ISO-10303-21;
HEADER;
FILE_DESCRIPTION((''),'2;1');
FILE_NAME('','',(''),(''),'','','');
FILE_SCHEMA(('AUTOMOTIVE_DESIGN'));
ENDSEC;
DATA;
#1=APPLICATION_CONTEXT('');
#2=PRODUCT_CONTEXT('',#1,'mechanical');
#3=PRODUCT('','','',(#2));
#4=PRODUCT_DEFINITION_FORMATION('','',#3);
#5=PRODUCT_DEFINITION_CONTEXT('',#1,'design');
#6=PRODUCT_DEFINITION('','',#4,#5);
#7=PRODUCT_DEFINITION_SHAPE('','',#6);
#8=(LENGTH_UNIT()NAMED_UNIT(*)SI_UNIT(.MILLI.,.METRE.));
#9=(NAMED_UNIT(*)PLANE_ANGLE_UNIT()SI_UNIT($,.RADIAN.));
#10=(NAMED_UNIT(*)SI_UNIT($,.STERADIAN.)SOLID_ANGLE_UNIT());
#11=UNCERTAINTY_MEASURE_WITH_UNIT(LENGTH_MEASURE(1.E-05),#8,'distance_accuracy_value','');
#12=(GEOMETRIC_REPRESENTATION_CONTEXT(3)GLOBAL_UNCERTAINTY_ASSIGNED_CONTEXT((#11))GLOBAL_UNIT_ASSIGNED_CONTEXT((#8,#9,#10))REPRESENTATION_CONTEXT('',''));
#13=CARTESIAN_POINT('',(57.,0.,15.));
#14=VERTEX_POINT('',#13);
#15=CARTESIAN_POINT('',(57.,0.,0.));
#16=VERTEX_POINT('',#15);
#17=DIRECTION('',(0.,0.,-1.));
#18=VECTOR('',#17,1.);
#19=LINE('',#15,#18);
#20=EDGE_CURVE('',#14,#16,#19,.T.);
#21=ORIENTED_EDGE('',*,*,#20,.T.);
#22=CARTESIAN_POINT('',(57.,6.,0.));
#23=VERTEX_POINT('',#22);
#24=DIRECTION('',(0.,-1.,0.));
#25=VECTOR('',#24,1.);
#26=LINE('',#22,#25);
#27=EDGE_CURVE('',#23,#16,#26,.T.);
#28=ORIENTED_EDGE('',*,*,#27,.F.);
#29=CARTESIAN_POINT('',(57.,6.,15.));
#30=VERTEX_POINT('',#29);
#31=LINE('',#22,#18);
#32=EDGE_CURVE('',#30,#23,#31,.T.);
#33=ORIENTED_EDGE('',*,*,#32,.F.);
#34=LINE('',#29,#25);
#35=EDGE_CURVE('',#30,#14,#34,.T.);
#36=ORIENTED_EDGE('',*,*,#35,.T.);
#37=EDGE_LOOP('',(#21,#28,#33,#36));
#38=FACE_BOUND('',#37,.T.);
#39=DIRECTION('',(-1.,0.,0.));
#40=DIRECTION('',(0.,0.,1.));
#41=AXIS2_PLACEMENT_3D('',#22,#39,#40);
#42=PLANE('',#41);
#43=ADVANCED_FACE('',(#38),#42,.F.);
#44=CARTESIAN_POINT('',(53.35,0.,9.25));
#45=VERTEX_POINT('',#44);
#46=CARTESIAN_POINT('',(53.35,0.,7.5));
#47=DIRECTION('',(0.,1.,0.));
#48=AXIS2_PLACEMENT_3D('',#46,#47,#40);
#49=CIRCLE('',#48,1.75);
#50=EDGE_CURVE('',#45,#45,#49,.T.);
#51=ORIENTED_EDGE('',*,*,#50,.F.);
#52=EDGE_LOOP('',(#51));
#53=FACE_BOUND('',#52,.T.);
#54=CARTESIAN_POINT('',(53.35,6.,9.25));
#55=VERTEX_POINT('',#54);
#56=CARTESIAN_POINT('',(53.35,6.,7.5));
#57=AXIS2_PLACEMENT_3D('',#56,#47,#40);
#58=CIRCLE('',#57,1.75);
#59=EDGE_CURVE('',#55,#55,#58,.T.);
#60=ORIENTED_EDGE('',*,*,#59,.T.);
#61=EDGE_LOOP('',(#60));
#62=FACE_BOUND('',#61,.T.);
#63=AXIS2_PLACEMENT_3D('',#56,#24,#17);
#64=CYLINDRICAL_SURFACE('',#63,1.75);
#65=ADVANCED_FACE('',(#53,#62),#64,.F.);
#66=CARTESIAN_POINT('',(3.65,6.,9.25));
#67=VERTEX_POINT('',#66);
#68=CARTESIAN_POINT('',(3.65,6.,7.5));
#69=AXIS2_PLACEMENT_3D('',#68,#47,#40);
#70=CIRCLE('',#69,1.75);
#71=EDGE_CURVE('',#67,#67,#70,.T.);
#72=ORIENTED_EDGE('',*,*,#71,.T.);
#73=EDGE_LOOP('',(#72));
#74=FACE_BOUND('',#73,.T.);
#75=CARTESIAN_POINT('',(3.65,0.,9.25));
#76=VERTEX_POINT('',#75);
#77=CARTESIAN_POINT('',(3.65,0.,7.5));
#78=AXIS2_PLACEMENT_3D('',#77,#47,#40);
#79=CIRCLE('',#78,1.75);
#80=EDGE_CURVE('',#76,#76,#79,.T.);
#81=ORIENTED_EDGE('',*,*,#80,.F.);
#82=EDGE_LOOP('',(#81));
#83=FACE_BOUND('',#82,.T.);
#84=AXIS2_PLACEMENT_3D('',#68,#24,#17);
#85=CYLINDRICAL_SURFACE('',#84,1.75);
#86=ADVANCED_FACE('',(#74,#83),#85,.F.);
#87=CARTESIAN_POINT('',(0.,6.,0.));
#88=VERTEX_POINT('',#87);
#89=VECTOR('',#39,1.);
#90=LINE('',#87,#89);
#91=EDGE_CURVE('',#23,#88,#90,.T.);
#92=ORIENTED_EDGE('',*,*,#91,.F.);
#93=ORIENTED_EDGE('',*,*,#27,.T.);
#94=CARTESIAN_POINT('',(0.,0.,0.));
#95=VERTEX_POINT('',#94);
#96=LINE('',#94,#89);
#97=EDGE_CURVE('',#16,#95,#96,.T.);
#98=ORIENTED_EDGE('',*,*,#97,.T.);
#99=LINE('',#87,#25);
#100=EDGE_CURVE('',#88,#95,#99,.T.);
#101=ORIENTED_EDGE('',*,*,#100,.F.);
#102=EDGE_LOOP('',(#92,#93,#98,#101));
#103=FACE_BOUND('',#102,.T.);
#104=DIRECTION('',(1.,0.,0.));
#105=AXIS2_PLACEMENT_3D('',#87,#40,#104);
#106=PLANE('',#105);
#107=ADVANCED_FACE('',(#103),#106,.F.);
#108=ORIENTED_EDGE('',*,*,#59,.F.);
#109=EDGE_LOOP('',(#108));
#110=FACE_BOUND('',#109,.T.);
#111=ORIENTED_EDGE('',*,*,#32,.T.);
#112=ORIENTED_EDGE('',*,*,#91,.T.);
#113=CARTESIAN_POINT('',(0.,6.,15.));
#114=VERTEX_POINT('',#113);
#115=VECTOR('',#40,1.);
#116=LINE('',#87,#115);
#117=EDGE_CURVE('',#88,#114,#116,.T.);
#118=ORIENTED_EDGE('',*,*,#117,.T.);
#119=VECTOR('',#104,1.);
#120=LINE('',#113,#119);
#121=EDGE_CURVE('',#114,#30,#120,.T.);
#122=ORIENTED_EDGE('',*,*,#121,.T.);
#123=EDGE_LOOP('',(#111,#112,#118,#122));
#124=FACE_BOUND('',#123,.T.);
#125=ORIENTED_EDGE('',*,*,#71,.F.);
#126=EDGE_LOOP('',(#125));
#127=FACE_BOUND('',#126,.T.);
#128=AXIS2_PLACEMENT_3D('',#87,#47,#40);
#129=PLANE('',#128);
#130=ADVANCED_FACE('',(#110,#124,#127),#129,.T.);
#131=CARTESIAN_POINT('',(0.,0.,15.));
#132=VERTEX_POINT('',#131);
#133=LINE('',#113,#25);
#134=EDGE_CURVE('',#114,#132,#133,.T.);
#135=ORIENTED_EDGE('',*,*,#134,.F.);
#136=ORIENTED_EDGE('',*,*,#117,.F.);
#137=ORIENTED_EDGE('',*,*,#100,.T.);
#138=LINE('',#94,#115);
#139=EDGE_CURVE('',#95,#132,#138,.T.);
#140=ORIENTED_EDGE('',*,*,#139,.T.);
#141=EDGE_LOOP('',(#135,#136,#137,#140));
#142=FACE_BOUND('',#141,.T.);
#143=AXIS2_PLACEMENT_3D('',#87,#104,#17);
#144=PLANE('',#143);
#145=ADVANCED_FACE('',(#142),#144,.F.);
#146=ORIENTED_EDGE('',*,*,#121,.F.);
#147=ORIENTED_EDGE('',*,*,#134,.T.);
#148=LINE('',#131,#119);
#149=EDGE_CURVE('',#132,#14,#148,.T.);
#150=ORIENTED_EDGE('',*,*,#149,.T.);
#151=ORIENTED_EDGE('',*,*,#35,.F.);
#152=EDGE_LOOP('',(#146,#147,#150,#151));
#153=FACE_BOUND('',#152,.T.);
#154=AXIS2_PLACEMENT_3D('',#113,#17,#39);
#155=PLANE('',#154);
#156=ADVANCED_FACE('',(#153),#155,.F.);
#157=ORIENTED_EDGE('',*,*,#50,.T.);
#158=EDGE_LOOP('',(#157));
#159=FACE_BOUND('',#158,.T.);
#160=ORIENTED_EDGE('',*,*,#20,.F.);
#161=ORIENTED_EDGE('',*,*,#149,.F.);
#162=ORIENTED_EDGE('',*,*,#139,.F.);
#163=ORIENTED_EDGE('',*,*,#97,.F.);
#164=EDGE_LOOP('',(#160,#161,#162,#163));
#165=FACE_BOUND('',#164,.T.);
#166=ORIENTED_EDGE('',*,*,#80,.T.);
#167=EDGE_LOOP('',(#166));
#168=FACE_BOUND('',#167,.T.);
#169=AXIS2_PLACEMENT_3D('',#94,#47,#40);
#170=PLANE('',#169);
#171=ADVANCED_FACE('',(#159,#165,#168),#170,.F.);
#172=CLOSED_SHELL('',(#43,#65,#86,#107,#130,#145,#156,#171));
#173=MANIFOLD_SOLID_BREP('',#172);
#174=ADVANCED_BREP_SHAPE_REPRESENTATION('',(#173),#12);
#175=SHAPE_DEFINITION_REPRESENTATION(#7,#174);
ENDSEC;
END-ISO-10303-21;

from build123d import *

# Parameters (mm, degrees)
SKETCH1_W           = 57
SKETCH1_H           = 15
SKETCH1_R           = 1.75
BOSS_EXTRUDE1_DEPTH = 6


with BuildPart() as part:
    # Sketch1 → Boss-Extrude1 (new body)
    with BuildSketch(Plane(origin=(0, 0, 0), x_dir=(1, 0, 0), z_dir=(0, 1, 0))):
        with Locations((28.5, -7.5)):
            Rectangle(SKETCH1_W, SKETCH1_H)
        with Locations(Location((3.65, -7.5, 0), (0, 0, 270))):
            Circle(SKETCH1_R, mode=Mode.SUBTRACT)
        with Locations(Location((53.35, -7.5, 0), (0, 0, 270))):
            Circle(SKETCH1_R, mode=Mode.SUBTRACT)
    extrude(amount=BOSS_EXTRUDE1_DEPTH)


solid = part.part
